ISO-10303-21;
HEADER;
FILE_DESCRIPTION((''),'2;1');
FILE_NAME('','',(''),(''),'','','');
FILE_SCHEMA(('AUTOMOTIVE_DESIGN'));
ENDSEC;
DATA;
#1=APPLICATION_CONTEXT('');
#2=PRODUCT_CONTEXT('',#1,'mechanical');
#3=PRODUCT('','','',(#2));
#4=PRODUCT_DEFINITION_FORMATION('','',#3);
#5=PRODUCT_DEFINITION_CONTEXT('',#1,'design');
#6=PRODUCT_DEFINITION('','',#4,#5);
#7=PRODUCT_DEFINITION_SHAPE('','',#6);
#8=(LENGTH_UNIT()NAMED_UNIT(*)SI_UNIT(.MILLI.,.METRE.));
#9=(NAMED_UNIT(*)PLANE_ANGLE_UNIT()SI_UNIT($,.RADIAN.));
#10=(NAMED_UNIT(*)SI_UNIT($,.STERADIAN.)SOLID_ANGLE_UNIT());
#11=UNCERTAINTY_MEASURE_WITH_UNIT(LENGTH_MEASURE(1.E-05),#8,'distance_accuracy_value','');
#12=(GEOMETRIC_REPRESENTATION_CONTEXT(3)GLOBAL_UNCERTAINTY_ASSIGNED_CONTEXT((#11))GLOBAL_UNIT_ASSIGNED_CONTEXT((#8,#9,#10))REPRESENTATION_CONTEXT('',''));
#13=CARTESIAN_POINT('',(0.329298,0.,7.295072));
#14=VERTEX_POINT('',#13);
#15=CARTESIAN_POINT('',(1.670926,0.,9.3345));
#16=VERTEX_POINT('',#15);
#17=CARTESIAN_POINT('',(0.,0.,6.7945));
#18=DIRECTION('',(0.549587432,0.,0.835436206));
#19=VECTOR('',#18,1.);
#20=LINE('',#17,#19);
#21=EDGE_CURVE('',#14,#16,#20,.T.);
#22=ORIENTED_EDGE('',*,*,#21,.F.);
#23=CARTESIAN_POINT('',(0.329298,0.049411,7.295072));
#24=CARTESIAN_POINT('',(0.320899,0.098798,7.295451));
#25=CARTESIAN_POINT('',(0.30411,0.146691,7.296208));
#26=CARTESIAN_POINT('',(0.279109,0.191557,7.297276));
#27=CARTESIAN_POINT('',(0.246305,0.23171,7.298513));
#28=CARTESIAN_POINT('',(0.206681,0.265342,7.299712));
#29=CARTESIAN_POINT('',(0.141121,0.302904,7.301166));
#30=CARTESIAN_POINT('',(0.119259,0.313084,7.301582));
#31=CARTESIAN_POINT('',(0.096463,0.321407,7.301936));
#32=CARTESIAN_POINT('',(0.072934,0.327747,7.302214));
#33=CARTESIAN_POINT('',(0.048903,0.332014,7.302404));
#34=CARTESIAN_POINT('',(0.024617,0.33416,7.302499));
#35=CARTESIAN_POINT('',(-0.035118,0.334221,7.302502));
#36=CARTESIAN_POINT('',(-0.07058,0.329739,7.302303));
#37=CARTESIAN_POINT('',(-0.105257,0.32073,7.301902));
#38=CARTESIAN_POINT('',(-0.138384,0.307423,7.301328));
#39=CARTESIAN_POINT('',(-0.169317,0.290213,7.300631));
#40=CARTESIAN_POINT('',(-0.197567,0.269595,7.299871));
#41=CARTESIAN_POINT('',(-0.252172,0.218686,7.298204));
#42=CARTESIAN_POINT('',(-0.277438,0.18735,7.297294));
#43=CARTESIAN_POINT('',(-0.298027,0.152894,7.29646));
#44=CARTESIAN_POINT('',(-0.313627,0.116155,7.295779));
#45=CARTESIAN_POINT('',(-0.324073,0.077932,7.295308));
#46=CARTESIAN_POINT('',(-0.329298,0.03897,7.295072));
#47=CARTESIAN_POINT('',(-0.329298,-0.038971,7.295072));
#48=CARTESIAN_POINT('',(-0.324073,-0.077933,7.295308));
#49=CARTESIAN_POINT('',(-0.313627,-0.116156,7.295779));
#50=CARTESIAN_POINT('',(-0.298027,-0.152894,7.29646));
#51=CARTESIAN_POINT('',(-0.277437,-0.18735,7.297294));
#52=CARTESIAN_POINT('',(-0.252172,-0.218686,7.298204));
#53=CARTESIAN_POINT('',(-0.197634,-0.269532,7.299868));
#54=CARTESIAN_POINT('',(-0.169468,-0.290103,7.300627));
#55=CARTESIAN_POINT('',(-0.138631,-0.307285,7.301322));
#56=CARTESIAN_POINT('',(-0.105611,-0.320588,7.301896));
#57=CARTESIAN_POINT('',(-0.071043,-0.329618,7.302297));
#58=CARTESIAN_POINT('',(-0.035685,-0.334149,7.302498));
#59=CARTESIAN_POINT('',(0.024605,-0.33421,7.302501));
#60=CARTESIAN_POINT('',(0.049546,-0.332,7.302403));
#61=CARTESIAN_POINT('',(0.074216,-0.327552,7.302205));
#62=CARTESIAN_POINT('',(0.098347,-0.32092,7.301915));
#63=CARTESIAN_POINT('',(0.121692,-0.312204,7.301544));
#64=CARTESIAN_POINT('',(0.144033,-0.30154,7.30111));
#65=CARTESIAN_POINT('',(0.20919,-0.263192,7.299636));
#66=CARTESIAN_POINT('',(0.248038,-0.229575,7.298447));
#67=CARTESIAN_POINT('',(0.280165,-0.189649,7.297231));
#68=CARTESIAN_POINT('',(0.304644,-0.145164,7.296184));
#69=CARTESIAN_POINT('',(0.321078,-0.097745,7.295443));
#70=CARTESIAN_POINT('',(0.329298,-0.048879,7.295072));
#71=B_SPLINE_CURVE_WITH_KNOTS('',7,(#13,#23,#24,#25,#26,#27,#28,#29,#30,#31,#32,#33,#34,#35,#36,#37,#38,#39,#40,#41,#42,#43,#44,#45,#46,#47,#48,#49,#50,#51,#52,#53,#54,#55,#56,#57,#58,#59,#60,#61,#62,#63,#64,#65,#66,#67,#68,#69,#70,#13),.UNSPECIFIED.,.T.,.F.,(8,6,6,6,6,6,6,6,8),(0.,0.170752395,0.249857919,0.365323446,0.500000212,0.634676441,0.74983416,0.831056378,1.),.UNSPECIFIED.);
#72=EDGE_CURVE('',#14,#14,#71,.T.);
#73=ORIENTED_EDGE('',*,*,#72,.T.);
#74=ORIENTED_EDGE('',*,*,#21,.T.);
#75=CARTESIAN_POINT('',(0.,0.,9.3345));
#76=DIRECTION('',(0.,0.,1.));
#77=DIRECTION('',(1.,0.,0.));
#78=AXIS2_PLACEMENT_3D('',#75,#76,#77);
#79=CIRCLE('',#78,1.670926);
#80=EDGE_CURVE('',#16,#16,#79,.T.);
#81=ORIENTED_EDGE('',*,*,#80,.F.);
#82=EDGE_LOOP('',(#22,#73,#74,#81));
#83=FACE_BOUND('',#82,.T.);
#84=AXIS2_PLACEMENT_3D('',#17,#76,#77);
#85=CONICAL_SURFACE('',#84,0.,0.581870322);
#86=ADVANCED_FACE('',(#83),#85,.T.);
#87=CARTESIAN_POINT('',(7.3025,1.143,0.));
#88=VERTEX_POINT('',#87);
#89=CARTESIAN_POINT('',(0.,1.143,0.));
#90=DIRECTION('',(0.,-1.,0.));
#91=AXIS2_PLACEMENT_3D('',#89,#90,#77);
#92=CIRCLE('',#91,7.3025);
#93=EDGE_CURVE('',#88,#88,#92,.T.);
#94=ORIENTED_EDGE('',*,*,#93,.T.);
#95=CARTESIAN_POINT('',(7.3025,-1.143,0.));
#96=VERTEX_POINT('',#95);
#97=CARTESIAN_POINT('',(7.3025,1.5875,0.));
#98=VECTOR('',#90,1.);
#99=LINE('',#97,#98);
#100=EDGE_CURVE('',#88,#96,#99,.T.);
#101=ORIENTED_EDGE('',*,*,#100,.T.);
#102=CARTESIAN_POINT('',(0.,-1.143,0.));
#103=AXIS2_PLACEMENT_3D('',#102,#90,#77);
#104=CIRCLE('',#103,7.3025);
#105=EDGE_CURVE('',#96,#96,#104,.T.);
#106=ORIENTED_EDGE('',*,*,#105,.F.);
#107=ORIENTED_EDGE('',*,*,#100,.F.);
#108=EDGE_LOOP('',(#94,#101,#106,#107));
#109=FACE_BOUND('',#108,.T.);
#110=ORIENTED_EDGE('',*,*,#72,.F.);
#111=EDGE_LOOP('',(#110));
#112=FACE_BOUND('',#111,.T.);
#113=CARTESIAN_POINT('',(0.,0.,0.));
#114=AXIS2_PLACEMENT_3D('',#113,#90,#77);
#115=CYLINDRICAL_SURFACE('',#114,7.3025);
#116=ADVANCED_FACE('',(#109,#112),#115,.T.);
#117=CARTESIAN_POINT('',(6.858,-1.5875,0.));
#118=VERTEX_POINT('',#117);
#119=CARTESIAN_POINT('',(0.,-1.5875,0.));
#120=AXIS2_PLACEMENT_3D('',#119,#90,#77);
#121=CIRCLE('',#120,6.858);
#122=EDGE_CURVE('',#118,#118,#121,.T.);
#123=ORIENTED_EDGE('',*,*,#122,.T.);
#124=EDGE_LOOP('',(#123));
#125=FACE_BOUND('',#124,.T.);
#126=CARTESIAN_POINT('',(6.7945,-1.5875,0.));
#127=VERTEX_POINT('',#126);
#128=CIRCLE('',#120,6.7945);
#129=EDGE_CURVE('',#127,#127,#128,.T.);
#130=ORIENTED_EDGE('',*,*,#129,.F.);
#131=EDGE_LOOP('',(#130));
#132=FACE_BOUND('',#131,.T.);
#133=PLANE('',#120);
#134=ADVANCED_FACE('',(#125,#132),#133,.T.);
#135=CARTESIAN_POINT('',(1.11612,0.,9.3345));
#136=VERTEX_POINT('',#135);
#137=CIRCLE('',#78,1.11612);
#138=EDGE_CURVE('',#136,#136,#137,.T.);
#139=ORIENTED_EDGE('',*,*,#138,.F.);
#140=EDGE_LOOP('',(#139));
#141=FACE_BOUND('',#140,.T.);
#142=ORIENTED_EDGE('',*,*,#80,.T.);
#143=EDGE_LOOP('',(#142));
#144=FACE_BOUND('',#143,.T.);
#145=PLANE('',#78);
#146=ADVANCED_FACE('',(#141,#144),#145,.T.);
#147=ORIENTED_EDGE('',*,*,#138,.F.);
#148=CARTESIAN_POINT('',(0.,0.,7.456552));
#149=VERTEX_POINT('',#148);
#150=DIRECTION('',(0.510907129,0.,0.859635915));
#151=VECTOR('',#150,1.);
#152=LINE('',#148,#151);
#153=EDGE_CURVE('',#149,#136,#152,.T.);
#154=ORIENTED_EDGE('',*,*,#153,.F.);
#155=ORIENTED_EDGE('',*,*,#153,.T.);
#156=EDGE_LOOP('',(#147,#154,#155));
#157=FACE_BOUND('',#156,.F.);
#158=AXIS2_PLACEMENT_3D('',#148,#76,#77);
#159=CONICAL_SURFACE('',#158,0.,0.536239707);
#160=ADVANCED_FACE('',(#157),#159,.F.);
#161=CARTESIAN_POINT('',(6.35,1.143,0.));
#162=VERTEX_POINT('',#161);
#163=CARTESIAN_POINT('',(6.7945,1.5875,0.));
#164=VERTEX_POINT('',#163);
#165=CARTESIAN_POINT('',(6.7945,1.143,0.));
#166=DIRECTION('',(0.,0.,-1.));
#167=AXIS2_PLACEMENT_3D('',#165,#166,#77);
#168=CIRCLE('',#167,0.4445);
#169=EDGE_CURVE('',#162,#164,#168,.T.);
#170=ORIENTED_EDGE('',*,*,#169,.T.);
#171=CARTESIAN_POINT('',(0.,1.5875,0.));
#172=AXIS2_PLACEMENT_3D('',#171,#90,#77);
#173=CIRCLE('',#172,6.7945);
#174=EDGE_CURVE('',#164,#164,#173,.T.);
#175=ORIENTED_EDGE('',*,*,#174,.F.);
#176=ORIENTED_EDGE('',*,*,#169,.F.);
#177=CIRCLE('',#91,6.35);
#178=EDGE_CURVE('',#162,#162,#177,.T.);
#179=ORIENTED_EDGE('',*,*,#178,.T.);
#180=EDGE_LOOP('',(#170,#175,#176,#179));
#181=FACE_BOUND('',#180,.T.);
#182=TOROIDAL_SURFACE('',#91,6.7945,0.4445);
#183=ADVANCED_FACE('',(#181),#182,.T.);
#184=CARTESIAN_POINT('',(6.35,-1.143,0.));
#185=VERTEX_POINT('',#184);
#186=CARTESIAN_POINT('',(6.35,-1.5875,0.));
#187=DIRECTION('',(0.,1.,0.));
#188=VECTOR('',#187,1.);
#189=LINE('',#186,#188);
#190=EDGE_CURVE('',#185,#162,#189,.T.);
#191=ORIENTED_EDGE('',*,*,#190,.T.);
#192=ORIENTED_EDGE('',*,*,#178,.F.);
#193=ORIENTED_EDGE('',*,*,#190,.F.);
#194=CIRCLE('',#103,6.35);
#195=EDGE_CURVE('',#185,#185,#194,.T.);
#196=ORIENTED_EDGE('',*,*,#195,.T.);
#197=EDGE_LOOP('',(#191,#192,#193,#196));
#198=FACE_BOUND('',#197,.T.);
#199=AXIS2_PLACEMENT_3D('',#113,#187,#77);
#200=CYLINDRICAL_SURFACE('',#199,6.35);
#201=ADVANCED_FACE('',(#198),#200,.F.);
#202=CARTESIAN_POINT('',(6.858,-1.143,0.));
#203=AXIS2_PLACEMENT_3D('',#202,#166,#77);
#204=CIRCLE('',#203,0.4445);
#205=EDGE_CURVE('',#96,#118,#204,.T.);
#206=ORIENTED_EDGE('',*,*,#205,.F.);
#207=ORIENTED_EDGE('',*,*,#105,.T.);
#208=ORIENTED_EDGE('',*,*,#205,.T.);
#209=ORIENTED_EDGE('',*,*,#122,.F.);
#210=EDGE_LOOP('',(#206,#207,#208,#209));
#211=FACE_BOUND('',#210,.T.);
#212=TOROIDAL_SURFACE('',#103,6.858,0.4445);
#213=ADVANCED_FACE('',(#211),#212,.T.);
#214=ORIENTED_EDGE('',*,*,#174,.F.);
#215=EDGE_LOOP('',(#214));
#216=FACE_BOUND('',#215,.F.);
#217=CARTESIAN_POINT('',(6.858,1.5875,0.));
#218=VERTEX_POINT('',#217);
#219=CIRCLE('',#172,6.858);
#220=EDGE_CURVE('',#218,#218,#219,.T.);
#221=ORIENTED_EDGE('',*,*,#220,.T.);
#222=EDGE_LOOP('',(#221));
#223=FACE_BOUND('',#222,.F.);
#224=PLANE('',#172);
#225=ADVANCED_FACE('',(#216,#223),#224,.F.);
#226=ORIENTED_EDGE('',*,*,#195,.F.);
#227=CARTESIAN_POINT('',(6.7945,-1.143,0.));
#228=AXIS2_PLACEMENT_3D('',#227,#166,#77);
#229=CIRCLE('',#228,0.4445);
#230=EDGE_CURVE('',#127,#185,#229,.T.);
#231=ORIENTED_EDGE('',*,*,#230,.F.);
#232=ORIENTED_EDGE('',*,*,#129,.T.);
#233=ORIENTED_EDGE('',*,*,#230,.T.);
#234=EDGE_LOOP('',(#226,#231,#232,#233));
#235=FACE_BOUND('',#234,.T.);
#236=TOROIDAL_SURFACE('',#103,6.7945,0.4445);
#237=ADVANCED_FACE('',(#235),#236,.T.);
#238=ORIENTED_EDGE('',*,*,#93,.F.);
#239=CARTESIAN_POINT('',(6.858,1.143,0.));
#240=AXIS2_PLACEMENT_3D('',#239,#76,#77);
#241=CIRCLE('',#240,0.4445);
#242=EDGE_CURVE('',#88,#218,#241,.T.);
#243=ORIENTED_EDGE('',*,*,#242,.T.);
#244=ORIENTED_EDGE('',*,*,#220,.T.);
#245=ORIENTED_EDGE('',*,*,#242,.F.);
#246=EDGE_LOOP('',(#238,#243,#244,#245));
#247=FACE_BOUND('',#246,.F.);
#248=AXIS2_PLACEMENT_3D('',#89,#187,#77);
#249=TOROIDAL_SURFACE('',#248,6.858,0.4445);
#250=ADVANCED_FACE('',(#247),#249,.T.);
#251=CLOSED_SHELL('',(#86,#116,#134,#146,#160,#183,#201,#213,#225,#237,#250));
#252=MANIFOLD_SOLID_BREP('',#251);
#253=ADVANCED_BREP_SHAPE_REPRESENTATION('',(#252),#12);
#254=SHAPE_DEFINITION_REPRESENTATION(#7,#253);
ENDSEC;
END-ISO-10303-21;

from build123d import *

# Parameters (mm, degrees)
F0_R     = 7.3025
F0_R_2   = 6.35
F1_DEPTH = 1.5875
F2_R     = 0.4445


with BuildPart() as f1:
    # F0 (on Front) → F1 (new body, symmetric)
    with BuildSketch(Plane.XZ):
        Circle(F0_R)
        Circle(F0_R_2, mode=Mode.SUBTRACT)
    extrude(amount=F1_DEPTH, both=True)

    # F2
    f2_edges = [f1.edges().sort_by_distance(p)[0] for p in [
        (-7.3025, -1.5875, 0),
        (-6.35, -1.5875, 0),
        (-7.3025, 1.5875, 0),
        (-6.35, 1.5875, 0),
    ]]
    fillet(f2_edges, radius=F2_R)

    # F3 (on Front) → F4 (revolve)
    with BuildSketch(Plane.XZ):
        Polygon((0, 9.3345), (0, 6.7945), (1.670926, 9.3345), align=None)
    revolve(axis=Axis((0, 0, 8.0645), (0, 0, 1)))

    # F5 (on Front) → F6 (revolve, cut)
    with BuildSketch(Plane.XZ):
        Polygon((1.410544, 9.829888), (0, 9.829888), (0, 7.456552), align=None)
    revolve(axis=Axis((0, 0, 8.64322), (0, 0, 1)), mode=Mode.SUBTRACT)


solid = f1.part
